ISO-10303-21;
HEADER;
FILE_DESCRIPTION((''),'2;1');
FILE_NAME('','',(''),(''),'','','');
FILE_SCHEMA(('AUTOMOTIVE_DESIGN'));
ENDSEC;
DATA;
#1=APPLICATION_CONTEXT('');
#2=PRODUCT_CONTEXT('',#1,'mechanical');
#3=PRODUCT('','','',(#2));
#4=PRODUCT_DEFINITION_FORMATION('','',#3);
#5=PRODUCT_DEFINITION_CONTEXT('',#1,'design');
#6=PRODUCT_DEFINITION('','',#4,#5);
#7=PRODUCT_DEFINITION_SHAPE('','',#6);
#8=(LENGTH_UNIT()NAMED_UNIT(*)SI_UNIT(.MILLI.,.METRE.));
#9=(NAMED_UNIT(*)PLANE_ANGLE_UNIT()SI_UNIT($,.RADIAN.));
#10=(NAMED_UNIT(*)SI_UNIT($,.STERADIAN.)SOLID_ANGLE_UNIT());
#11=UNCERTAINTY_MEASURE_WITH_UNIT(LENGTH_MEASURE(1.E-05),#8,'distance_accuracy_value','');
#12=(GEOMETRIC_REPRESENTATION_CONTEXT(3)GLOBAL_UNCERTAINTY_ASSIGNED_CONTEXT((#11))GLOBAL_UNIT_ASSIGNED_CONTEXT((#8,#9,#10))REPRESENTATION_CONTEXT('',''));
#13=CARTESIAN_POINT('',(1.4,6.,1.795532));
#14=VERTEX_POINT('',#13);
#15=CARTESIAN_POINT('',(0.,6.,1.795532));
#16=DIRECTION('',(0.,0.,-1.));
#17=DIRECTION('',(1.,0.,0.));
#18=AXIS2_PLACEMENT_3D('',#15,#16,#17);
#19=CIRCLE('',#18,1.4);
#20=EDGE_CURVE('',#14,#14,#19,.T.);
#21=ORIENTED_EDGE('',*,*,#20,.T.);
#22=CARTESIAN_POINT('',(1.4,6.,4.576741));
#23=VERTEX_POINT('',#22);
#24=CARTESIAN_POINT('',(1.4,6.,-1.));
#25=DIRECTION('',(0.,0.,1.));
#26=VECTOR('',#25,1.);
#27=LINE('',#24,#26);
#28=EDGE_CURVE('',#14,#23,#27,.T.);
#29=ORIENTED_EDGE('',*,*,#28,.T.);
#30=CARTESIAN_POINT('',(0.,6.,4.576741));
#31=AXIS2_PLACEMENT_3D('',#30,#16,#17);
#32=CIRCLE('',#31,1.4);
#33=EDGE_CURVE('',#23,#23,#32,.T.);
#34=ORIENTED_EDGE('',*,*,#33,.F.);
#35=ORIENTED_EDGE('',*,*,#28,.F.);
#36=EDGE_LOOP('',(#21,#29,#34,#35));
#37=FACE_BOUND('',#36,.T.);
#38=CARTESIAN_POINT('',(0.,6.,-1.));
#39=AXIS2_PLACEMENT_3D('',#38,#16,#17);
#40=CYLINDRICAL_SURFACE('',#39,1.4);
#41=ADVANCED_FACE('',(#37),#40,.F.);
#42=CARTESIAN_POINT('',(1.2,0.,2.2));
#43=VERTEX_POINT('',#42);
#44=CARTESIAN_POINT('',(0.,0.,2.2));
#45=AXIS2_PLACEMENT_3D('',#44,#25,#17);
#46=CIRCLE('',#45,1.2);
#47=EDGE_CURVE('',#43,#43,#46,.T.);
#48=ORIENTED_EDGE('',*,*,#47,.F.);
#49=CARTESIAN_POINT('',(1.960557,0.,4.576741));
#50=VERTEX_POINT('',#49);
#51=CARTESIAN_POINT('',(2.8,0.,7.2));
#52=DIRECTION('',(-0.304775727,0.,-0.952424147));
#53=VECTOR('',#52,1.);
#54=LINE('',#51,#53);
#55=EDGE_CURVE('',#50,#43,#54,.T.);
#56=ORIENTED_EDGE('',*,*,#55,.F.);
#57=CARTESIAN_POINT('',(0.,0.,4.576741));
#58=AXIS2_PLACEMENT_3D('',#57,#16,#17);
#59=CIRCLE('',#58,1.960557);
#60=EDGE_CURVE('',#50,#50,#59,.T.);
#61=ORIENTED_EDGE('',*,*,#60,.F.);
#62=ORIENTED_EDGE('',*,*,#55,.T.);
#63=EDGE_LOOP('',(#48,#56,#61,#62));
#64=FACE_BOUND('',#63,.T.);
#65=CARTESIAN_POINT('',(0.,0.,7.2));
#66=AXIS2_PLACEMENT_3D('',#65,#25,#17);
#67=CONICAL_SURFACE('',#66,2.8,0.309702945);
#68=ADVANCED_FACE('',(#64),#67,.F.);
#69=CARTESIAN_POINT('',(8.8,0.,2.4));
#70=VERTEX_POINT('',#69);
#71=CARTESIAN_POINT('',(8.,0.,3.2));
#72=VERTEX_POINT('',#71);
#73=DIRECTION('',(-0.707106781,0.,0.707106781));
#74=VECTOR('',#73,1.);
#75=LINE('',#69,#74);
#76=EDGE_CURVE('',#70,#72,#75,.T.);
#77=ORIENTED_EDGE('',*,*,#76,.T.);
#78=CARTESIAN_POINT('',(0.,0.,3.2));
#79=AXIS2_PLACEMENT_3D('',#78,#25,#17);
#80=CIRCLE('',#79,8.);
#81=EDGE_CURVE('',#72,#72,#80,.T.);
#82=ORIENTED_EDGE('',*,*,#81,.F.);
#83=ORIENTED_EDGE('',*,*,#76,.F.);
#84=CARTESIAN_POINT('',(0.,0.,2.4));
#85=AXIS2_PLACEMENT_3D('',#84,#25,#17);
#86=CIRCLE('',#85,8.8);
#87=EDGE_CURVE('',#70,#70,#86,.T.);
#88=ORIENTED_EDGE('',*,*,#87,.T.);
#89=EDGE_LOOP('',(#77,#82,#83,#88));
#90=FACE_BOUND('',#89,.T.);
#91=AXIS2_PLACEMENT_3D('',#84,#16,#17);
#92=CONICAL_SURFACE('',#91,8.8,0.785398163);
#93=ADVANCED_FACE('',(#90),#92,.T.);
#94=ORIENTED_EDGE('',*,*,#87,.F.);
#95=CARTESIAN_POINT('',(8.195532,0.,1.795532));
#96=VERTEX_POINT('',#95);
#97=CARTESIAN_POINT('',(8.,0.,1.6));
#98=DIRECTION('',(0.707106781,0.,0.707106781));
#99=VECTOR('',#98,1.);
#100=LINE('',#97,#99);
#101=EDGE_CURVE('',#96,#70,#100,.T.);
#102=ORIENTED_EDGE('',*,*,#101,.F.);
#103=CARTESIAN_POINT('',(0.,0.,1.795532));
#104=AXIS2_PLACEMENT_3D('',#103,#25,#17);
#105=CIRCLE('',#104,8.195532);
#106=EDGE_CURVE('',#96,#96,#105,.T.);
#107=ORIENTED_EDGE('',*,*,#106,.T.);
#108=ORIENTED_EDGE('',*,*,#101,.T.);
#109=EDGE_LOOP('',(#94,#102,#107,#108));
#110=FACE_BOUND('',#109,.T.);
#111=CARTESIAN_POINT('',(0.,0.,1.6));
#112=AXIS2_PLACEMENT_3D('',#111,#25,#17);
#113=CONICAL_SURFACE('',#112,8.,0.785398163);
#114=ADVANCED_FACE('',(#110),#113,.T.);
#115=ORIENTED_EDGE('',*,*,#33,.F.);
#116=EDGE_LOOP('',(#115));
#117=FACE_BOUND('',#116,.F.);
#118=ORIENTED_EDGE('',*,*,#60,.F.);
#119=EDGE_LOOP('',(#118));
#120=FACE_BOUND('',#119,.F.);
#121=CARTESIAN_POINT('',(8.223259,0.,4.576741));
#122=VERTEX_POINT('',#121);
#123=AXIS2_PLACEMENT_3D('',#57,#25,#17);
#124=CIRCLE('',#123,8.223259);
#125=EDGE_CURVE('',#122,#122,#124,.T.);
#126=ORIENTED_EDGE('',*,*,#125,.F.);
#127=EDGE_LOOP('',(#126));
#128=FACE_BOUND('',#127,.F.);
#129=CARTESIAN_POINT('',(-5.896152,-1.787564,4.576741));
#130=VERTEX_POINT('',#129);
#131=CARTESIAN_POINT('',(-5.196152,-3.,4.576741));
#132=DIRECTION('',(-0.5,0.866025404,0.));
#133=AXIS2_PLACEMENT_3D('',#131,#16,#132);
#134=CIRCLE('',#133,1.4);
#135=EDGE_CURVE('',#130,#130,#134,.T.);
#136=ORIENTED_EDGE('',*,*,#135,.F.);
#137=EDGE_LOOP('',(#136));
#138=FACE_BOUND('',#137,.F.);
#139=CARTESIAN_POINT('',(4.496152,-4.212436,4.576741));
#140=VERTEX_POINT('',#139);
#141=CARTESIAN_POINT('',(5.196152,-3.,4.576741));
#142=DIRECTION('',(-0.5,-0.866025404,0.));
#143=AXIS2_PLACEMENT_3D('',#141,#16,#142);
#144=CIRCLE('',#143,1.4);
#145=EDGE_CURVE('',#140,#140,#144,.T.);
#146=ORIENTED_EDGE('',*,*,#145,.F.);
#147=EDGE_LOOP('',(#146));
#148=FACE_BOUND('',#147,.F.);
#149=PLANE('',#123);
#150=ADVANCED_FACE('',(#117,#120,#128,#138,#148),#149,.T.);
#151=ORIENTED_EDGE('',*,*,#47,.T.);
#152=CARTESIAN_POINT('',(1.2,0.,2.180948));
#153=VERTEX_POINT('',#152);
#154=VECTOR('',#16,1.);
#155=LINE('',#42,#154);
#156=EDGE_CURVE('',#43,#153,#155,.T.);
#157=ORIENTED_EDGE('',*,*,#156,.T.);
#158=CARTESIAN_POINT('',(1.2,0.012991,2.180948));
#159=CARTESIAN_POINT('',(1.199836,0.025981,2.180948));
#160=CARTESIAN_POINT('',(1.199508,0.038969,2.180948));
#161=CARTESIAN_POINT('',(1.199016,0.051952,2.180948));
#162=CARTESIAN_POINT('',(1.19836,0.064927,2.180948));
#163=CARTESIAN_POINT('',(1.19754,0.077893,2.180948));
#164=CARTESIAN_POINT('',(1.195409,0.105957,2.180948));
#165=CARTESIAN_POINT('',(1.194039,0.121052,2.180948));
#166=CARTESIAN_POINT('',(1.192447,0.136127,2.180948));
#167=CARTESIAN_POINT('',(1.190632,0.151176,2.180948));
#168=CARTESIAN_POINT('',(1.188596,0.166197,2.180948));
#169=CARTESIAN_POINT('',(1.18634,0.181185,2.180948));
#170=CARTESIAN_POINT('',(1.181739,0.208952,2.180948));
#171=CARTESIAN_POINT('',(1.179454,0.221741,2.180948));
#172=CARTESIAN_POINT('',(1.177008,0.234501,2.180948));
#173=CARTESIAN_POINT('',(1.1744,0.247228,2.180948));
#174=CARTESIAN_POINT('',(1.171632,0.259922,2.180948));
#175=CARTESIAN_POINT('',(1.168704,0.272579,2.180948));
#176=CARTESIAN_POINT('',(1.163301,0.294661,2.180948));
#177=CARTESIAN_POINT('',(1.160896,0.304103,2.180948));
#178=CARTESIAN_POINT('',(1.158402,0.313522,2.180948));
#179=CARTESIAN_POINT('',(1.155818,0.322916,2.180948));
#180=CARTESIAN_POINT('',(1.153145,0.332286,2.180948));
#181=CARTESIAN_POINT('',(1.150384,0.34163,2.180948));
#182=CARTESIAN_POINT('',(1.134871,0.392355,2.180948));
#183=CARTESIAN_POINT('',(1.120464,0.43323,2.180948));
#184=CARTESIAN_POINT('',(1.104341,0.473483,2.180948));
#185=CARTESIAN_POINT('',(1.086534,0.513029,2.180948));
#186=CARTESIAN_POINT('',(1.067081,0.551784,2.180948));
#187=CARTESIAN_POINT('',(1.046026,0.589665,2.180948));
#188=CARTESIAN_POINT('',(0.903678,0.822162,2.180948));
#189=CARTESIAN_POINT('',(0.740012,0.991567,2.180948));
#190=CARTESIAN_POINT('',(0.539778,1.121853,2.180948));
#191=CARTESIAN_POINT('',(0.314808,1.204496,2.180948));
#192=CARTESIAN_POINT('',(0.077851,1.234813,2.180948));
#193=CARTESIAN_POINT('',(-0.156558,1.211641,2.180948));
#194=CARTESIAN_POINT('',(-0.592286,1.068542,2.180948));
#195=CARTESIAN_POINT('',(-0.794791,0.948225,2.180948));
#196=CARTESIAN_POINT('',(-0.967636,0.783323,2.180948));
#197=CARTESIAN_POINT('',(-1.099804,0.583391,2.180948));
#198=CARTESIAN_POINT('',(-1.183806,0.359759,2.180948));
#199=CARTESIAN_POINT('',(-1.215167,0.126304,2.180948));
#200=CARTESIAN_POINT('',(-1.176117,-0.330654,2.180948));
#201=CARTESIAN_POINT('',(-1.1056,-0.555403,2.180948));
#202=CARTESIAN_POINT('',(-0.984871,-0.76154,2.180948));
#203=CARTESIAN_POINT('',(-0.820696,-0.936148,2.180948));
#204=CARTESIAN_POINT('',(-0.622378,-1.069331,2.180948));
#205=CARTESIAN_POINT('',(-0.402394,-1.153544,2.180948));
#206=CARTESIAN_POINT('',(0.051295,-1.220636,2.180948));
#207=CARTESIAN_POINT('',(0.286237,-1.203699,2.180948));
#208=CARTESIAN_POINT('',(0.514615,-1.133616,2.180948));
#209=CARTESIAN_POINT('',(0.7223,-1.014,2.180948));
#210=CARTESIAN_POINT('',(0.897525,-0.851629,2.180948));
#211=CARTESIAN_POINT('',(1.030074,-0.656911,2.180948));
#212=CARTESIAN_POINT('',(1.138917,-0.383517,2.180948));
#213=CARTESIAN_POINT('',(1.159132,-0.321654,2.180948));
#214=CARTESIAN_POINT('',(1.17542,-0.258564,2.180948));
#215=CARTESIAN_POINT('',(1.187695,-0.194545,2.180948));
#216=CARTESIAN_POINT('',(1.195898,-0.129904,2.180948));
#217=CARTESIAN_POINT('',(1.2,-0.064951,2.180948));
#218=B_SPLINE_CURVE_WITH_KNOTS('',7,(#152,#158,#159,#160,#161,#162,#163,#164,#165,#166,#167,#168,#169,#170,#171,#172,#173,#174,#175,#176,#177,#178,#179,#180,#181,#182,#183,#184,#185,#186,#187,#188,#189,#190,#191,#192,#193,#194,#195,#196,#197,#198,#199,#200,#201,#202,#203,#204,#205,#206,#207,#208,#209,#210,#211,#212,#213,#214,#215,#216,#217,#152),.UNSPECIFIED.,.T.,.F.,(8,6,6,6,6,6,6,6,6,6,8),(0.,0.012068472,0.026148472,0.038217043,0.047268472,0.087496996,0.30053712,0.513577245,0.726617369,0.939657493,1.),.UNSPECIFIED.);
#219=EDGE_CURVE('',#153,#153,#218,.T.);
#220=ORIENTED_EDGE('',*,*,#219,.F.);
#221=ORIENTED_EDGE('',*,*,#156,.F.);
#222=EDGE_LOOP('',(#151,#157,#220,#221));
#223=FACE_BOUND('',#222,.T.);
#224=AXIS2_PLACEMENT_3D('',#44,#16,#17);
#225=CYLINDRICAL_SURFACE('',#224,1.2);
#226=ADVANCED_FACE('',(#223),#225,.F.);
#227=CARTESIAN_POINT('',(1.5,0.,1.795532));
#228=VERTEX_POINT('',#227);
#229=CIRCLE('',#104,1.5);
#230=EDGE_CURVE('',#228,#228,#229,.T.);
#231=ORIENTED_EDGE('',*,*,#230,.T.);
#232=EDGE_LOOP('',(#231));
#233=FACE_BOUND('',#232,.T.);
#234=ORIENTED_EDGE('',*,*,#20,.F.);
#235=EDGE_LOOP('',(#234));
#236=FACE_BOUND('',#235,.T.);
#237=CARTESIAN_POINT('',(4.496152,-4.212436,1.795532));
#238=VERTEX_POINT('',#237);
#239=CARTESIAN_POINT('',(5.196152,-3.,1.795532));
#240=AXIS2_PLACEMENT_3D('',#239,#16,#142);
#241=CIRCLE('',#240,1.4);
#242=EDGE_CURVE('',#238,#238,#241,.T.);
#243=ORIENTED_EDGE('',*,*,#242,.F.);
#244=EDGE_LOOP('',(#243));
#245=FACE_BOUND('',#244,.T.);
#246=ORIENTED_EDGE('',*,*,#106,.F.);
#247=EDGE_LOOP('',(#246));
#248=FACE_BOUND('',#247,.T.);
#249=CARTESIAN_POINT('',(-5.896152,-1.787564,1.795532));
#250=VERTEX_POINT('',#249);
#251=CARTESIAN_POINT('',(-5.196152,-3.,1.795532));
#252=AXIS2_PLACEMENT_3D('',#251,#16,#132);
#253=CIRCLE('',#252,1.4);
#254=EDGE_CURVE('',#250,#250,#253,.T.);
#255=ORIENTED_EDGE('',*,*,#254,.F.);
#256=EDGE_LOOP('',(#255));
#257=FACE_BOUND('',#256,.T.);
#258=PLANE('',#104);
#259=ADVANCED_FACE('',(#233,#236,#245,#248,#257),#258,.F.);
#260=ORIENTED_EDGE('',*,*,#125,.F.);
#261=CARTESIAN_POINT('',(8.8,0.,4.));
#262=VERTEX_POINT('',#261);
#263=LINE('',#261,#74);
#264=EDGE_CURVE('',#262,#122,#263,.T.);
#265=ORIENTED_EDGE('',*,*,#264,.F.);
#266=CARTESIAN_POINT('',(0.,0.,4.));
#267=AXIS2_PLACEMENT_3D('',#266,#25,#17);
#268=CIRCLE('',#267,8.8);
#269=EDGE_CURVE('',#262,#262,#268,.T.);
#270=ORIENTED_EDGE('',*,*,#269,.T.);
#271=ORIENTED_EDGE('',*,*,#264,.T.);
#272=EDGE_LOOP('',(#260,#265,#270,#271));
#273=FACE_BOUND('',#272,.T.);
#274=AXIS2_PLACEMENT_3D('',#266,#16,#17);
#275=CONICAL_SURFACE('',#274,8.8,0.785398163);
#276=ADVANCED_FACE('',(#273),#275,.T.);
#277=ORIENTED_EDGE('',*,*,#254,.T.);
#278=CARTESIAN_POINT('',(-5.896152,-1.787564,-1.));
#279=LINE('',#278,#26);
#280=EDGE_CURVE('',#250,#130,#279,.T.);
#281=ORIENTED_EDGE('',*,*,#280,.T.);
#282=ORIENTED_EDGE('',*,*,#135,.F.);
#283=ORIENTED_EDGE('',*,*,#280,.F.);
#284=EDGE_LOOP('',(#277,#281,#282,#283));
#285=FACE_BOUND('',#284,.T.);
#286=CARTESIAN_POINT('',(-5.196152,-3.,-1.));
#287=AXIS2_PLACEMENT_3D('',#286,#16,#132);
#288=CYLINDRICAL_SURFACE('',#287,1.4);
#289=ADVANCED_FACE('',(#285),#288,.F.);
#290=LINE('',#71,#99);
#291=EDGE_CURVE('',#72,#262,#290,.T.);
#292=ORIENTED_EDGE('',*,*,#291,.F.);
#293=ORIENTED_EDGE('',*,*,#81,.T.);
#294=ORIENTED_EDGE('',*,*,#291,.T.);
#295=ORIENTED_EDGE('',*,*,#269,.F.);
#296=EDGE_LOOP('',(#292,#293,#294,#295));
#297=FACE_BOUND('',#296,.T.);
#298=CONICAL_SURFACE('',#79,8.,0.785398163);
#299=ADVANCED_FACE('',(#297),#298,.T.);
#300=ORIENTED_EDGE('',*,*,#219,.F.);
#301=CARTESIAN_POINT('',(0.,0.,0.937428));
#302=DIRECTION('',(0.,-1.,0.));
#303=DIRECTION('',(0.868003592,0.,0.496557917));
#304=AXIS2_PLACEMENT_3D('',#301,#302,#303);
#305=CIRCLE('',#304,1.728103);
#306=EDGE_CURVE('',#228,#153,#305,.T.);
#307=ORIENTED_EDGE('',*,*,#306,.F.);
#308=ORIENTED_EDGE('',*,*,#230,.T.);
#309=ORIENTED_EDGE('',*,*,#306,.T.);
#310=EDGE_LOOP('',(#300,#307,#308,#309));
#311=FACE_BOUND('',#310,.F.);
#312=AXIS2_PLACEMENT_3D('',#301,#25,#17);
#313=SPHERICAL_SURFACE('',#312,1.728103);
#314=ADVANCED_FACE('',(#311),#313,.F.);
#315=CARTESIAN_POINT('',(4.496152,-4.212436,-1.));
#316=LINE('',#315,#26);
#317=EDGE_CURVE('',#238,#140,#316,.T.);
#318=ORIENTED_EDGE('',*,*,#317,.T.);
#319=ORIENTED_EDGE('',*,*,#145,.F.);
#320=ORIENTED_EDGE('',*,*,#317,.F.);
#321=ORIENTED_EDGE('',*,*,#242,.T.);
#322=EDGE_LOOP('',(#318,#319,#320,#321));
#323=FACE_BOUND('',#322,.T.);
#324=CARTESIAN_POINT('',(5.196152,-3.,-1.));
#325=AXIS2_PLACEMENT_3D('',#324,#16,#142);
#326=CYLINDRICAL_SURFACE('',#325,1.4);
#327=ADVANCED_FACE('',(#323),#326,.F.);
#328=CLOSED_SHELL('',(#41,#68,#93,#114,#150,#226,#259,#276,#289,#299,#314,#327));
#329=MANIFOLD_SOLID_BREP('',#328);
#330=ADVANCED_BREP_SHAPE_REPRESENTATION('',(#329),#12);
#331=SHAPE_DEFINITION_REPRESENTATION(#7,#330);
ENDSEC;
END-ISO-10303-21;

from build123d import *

# Parameters (mm, degrees)
SKETCH019_W    = 10
SKETCH019_H    = 2.7812096768
SKETCH005_W    = 10
SKETCH005_H    = 2.2955317108
CYLINDER_R     = 1.4
CYLINDER_DEPTH = 10
ARRAY001_COUNT = 3
SKETCH018_W    = 3.15
SKETCH018_H    = 2.3
SKETCH002_W    = 5
SKETCH002_H    = 6.8
ARRAY_Z_COUNT  = 6
ARRAY_Z_PITCH  = 1.6


with BuildPart() as middledom001:
    # Sketch019 → Revolution008 (revolve)
    with BuildSketch(Plane.XZ):
        with Locations((5, 3.1861365492)):
            Rectangle(SKETCH019_W, SKETCH019_H)
    revolve(axis=Axis((0, 0, 0), (0, 0, 1)))


with BuildPart() as clone_of_lowerdomain001:
    # Sketch005 → Revolution004 (revolve)
    with BuildSketch(Plane.XZ):
        with Locations((5, 0.6477658554)):
            Rectangle(SKETCH005_W, SKETCH005_H)
    revolve(axis=Axis((0, 0, 0), (0, 0, 1)))


with BuildPart() as boltholes:
    # Cylinder → Cylinder (new body)
    with BuildSketch(Plane(origin=(0, 6, -1), x_dir=(1, 0, 0), z_dir=(0, 0, 1))):
        Circle(CYLINDER_R)
    extrude(amount=CYLINDER_DEPTH)

    # Array001: BoltHoles ×3 about axis
    array001_axis = Axis((0, 0, 0), (0, 0, 1))


with BuildPart() as boltholes_1:
    add(boltholes.part)
    for i in range(1, ARRAY001_COUNT):
        add(boltholes.part.rotate(array001_axis, i * 360 / ARRAY001_COUNT))


with BuildPart() as ps2long001:
    # Sketch018 → Revolution007 (revolve)
    with BuildSketch(Plane.XZ):
        with Locations((1.575, 5.7267413876)):
            Rectangle(SKETCH018_W, SKETCH018_H)
    revolve(axis=Axis((0, 0, 0), (0, 0, 1)))


with BuildPart() as clone_of_laq:
    # Sketch007 → Revolution006 (revolve)
    with BuildSketch(Plane.XZ):
        with BuildLine():
            ThreePointArc((1.5, 1.7955317108), (0.867020761, 2.4322916436), (0, 2.6655317108))
            Line((0, 2.6655317108), (0, 0.7955317108))
            Line((0, 0.7955317108), (1.5, 0.7955317108))
            Line((1.5, 1.7955317108), (1.5, 0.7955317108))
        make_face()
    revolve(axis=Axis((0, 0, 0), (0, 0, 1)))


with BuildPart() as innergroovedom001:
    # Sketch002 → Revolution002 (revolve)
    with BuildSketch(Plane.XZ):
        with Locations((7.5, 3.8)):
            Rectangle(SKETCH002_W, SKETCH002_H)
    revolve(axis=Axis((0, 0, 0), (0, 0, 1)))


with BuildPart() as innergroovetool:
    # Sketch001 → Revolution001 (revolve)
    with BuildSketch(Plane.XZ):
        Polygon((4, 8), (4, 6.4), (8, 6.4), (8.8, 7.2), (8, 8), align=None)
    revolve(axis=Axis((0, 0, 0), (0, 0, 1)))

    # Array Z: InnerGrooveTool ×6


with BuildPart() as innergroovetool_1:
    add(innergroovetool.part)
    with Locations(*[(0, 0, -i * ARRAY_Z_PITCH) for i in range(1, ARRAY_Z_COUNT)]):
        add(innergroovetool.part)

    # Common: intersect InnerGrooveDom001
    add(innergroovedom001.part, mode=Mode.INTERSECT)


with BuildPart() as refine_middlecommon:
    # Sketch → Revolution (revolve)
    with BuildSketch(Plane.XZ):
        Polygon((1.2, 0.4), (8, 0.4), (8, 7.2), (2.8, 7.2), (1.2, 2.2), align=None)
    revolve(axis=Axis((0, 0, 0), (0, 0, 1)))

    # Fusion001: union InnerGrooveTool
    add(innergroovetool_1.part)

    # Cut: cut Clone of LAQ
    add(clone_of_laq.part, mode=Mode.SUBTRACT)

    # Cut003: cut PS2Long001
    add(ps2long001.part, mode=Mode.SUBTRACT)

    # Cut001: cut BoltHoles
    add(boltholes_1.part, mode=Mode.SUBTRACT)

    # Cut002: cut Clone of LowerDomain001
    add(clone_of_lowerdomain001.part, mode=Mode.SUBTRACT)

    # Common002: intersect MiddleDom001
    add(middledom001.part, mode=Mode.INTERSECT)


solid = refine_middlecommon.part
